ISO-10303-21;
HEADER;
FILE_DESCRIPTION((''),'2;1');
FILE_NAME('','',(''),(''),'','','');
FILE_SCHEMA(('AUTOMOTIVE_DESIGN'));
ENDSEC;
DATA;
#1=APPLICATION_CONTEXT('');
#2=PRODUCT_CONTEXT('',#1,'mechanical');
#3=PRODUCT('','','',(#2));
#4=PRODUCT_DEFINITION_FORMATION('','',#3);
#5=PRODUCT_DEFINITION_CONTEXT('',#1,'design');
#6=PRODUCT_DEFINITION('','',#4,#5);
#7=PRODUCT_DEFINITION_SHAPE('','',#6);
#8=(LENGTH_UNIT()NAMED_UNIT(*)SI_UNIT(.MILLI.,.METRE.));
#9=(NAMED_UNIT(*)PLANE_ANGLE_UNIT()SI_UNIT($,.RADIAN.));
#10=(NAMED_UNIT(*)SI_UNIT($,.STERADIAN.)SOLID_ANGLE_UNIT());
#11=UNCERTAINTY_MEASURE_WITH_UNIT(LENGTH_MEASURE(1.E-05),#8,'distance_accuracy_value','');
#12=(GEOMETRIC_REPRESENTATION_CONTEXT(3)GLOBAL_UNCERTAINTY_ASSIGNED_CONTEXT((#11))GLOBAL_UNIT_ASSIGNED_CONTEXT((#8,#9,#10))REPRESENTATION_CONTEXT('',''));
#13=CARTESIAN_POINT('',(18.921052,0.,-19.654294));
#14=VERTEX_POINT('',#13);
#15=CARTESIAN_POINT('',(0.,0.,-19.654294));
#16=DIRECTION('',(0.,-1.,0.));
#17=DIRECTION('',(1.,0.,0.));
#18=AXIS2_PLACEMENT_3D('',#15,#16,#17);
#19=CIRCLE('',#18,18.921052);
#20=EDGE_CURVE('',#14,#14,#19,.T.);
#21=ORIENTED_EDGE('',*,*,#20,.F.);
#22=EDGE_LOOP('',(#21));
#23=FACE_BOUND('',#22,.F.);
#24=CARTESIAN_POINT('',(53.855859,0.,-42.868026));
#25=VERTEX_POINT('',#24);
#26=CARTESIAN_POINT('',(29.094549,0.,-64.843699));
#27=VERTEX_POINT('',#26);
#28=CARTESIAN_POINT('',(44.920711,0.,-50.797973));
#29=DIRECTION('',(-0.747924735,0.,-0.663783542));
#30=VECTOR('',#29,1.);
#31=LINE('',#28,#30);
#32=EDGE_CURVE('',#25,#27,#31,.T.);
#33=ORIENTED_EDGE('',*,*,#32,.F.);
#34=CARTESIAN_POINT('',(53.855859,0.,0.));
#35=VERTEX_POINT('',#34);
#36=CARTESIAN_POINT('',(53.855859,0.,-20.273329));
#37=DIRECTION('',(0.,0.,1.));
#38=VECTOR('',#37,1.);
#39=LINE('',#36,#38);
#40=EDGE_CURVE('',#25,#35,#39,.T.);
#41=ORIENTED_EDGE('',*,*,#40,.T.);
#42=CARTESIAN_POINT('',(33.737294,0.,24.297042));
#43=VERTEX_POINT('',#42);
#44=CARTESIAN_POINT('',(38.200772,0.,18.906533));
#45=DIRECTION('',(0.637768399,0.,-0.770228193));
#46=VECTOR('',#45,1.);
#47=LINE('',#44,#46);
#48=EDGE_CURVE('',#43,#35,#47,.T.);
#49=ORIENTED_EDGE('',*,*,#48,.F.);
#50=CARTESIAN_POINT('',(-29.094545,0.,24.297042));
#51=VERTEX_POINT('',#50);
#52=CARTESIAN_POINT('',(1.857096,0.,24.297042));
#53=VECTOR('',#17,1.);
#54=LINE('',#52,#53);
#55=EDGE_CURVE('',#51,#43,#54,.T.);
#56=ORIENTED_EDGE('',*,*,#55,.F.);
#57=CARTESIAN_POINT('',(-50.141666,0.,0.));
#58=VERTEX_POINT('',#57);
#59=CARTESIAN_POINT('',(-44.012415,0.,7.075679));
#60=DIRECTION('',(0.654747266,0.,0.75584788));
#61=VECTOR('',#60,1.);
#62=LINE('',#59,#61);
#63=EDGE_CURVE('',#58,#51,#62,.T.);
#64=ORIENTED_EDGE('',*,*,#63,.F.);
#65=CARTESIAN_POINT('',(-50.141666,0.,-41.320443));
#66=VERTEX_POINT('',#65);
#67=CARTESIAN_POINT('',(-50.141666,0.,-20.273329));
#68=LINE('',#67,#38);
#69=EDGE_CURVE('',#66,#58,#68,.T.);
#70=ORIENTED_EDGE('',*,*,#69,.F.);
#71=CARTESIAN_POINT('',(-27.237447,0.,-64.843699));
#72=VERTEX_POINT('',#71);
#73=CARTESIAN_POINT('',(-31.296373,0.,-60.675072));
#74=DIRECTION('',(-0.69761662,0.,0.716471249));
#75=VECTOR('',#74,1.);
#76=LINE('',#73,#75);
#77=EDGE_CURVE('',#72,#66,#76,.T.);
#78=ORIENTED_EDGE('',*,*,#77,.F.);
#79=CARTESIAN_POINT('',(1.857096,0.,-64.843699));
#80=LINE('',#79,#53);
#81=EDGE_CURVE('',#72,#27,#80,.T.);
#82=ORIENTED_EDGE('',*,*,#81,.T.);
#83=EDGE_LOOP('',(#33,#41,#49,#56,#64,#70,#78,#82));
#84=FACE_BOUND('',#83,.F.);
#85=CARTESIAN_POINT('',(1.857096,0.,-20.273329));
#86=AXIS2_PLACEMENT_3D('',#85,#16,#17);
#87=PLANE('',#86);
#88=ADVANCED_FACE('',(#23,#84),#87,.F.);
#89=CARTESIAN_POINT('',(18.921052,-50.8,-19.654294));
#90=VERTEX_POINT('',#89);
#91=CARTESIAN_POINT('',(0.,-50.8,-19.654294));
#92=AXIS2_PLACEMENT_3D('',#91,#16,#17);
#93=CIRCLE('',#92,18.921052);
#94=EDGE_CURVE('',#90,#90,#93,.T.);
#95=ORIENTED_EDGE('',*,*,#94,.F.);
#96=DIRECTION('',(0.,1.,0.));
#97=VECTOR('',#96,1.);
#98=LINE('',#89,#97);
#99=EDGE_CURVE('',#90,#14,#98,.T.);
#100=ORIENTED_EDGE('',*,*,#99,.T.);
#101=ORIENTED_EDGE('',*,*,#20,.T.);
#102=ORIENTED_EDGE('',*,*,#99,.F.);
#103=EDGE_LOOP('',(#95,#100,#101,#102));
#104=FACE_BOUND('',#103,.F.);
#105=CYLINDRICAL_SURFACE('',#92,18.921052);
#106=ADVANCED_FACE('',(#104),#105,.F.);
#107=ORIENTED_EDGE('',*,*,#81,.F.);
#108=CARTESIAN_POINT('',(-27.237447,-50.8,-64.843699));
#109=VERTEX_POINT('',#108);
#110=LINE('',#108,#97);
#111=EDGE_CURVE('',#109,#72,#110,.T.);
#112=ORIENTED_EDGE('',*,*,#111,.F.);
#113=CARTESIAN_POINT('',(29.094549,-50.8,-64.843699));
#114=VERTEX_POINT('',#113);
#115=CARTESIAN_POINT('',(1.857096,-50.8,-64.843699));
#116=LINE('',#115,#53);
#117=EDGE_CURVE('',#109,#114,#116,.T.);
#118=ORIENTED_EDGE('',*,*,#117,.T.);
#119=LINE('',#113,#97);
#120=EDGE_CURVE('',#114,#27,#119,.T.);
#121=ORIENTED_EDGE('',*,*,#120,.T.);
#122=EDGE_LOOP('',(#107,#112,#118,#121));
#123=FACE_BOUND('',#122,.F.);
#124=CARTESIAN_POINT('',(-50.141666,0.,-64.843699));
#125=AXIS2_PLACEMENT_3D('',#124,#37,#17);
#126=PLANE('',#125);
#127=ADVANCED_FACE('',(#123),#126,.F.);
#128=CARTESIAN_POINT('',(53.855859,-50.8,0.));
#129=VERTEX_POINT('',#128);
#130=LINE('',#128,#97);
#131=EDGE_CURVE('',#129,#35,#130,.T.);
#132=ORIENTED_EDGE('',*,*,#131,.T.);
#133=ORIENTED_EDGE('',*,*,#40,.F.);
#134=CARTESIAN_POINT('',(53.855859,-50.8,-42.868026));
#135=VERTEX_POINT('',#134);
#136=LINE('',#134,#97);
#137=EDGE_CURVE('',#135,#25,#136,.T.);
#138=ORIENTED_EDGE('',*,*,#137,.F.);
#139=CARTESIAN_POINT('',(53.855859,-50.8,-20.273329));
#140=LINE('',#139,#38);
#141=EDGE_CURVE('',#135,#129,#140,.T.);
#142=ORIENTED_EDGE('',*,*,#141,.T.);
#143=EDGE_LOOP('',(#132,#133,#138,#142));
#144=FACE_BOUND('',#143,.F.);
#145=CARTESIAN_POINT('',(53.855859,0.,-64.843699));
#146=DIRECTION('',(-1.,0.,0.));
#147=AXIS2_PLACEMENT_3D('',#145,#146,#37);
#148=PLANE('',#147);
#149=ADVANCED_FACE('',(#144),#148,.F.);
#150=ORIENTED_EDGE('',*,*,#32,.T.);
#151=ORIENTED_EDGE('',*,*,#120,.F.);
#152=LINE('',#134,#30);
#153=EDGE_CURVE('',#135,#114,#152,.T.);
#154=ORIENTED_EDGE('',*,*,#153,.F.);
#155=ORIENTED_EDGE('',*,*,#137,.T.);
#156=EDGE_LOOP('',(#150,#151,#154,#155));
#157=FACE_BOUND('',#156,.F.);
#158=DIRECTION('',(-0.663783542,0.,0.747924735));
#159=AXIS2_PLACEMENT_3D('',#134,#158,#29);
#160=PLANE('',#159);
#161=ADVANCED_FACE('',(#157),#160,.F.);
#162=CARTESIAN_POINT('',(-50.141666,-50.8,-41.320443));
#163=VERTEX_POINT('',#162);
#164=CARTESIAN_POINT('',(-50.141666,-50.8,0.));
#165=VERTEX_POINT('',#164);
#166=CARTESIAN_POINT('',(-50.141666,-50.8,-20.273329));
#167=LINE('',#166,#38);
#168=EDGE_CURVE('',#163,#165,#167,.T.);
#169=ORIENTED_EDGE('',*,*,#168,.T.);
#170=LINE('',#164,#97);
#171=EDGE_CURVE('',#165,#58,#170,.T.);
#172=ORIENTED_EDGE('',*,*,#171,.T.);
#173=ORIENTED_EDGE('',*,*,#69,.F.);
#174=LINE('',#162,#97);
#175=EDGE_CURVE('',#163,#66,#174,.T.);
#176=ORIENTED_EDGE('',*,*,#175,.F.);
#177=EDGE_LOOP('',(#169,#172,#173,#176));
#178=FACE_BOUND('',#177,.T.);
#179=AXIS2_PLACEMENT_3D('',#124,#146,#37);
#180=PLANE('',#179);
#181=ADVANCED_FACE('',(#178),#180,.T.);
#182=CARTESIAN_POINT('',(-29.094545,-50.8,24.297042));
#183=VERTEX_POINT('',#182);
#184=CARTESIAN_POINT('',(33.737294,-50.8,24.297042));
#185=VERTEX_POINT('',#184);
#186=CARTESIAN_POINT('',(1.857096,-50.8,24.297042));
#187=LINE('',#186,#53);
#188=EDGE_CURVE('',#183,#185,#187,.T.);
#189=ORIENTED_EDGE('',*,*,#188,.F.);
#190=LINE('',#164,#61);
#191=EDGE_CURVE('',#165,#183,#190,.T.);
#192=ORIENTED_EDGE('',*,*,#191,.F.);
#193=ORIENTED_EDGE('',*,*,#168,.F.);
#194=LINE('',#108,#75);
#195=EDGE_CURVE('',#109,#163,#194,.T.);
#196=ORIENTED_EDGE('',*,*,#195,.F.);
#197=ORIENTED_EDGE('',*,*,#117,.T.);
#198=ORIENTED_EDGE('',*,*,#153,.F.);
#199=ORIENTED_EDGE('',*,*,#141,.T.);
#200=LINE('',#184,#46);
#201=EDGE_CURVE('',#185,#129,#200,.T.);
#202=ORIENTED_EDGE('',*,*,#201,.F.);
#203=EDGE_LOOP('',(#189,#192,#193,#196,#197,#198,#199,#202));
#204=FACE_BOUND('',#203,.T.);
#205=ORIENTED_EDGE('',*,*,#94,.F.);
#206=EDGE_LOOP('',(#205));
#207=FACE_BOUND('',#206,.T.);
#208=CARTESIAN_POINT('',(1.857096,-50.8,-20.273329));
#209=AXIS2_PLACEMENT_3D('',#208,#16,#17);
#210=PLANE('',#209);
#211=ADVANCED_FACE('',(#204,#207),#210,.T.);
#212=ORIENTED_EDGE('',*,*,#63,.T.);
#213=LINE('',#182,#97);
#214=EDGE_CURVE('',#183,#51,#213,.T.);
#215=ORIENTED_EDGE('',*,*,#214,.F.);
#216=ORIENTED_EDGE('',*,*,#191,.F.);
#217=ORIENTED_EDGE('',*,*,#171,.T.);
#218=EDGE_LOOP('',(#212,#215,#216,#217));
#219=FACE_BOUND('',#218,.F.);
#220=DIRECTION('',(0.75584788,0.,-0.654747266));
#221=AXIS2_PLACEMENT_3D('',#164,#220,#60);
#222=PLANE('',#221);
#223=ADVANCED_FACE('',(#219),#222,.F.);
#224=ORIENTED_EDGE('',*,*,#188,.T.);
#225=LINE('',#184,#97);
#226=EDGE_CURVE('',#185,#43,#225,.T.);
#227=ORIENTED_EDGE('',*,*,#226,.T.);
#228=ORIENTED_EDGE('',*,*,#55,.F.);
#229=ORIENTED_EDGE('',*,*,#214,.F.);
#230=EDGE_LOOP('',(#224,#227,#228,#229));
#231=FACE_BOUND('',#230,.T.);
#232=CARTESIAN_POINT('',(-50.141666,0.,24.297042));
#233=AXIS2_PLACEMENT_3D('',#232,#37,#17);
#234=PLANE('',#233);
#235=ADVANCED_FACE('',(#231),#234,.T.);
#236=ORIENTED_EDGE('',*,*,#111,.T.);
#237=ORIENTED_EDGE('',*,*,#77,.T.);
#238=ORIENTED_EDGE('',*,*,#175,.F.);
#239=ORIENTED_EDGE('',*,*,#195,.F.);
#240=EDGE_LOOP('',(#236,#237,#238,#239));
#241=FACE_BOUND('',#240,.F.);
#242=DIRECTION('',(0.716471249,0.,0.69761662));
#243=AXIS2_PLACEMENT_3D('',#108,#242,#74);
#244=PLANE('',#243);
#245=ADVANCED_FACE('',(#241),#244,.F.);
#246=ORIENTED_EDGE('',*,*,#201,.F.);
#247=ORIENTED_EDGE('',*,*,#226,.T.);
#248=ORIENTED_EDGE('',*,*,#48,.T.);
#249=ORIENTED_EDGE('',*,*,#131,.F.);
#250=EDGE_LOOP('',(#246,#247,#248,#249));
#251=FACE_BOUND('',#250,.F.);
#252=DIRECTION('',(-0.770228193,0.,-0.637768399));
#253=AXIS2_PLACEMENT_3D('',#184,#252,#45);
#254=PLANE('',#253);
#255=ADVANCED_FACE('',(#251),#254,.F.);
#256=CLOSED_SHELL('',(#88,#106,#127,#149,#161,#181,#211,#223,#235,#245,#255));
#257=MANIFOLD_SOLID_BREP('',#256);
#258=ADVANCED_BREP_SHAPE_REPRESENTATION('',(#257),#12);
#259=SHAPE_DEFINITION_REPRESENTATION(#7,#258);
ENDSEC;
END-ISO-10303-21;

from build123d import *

# Parameters (mm, degrees)
F0_W     = 103.9975248277
F0_H     = 89.1407411546
F1_DEPTH = 50.8
F2_R     = 18.9210521973
F3_DEPTH = 50.801
F5_DEPTH = 50.801


with BuildPart() as f1:
    # F0 (on Front) → F1 (new body)
    with BuildSketch(Plane.XZ):
        with Locations((1.8570963293, -20.2733287588)):
            Rectangle(F0_W, F0_H)
    extrude(amount=F1_DEPTH)

    # F2 (on face) → F3 (cut, through all)
    with BuildSketch(Plane.XZ.offset(50.8)):
        with Locations((0, -19.6542944759)):
            Circle(F2_R)
    extrude(amount=-F3_DEPTH, mode=Mode.SUBTRACT)

    # F4 (on face) → F5 (cut, through all)
    with BuildSketch(Plane.XZ.offset(50.8)):
        Polygon((-50.1416660845, 24.2970418185), (-50.1416660845, 0), (-29.0945451707, 24.2970418185), align=None)
        Polygon((53.8558587432, 24.2970418185), (33.7372943759, 24.2970418185), (53.8558587432, 0), align=None)
        Polygon((-27.2374469787, -64.8436993361), (-50.1416660845, -41.3204431534), (-50.1416660845, -64.8436993361), align=None)
        Polygon((53.8558587432, -42.8680256009), (29.094548896, -64.8436993361), (53.8558587432, -64.8436993361), align=None)
    extrude(amount=-F5_DEPTH, mode=Mode.SUBTRACT)


solid = f1.part
